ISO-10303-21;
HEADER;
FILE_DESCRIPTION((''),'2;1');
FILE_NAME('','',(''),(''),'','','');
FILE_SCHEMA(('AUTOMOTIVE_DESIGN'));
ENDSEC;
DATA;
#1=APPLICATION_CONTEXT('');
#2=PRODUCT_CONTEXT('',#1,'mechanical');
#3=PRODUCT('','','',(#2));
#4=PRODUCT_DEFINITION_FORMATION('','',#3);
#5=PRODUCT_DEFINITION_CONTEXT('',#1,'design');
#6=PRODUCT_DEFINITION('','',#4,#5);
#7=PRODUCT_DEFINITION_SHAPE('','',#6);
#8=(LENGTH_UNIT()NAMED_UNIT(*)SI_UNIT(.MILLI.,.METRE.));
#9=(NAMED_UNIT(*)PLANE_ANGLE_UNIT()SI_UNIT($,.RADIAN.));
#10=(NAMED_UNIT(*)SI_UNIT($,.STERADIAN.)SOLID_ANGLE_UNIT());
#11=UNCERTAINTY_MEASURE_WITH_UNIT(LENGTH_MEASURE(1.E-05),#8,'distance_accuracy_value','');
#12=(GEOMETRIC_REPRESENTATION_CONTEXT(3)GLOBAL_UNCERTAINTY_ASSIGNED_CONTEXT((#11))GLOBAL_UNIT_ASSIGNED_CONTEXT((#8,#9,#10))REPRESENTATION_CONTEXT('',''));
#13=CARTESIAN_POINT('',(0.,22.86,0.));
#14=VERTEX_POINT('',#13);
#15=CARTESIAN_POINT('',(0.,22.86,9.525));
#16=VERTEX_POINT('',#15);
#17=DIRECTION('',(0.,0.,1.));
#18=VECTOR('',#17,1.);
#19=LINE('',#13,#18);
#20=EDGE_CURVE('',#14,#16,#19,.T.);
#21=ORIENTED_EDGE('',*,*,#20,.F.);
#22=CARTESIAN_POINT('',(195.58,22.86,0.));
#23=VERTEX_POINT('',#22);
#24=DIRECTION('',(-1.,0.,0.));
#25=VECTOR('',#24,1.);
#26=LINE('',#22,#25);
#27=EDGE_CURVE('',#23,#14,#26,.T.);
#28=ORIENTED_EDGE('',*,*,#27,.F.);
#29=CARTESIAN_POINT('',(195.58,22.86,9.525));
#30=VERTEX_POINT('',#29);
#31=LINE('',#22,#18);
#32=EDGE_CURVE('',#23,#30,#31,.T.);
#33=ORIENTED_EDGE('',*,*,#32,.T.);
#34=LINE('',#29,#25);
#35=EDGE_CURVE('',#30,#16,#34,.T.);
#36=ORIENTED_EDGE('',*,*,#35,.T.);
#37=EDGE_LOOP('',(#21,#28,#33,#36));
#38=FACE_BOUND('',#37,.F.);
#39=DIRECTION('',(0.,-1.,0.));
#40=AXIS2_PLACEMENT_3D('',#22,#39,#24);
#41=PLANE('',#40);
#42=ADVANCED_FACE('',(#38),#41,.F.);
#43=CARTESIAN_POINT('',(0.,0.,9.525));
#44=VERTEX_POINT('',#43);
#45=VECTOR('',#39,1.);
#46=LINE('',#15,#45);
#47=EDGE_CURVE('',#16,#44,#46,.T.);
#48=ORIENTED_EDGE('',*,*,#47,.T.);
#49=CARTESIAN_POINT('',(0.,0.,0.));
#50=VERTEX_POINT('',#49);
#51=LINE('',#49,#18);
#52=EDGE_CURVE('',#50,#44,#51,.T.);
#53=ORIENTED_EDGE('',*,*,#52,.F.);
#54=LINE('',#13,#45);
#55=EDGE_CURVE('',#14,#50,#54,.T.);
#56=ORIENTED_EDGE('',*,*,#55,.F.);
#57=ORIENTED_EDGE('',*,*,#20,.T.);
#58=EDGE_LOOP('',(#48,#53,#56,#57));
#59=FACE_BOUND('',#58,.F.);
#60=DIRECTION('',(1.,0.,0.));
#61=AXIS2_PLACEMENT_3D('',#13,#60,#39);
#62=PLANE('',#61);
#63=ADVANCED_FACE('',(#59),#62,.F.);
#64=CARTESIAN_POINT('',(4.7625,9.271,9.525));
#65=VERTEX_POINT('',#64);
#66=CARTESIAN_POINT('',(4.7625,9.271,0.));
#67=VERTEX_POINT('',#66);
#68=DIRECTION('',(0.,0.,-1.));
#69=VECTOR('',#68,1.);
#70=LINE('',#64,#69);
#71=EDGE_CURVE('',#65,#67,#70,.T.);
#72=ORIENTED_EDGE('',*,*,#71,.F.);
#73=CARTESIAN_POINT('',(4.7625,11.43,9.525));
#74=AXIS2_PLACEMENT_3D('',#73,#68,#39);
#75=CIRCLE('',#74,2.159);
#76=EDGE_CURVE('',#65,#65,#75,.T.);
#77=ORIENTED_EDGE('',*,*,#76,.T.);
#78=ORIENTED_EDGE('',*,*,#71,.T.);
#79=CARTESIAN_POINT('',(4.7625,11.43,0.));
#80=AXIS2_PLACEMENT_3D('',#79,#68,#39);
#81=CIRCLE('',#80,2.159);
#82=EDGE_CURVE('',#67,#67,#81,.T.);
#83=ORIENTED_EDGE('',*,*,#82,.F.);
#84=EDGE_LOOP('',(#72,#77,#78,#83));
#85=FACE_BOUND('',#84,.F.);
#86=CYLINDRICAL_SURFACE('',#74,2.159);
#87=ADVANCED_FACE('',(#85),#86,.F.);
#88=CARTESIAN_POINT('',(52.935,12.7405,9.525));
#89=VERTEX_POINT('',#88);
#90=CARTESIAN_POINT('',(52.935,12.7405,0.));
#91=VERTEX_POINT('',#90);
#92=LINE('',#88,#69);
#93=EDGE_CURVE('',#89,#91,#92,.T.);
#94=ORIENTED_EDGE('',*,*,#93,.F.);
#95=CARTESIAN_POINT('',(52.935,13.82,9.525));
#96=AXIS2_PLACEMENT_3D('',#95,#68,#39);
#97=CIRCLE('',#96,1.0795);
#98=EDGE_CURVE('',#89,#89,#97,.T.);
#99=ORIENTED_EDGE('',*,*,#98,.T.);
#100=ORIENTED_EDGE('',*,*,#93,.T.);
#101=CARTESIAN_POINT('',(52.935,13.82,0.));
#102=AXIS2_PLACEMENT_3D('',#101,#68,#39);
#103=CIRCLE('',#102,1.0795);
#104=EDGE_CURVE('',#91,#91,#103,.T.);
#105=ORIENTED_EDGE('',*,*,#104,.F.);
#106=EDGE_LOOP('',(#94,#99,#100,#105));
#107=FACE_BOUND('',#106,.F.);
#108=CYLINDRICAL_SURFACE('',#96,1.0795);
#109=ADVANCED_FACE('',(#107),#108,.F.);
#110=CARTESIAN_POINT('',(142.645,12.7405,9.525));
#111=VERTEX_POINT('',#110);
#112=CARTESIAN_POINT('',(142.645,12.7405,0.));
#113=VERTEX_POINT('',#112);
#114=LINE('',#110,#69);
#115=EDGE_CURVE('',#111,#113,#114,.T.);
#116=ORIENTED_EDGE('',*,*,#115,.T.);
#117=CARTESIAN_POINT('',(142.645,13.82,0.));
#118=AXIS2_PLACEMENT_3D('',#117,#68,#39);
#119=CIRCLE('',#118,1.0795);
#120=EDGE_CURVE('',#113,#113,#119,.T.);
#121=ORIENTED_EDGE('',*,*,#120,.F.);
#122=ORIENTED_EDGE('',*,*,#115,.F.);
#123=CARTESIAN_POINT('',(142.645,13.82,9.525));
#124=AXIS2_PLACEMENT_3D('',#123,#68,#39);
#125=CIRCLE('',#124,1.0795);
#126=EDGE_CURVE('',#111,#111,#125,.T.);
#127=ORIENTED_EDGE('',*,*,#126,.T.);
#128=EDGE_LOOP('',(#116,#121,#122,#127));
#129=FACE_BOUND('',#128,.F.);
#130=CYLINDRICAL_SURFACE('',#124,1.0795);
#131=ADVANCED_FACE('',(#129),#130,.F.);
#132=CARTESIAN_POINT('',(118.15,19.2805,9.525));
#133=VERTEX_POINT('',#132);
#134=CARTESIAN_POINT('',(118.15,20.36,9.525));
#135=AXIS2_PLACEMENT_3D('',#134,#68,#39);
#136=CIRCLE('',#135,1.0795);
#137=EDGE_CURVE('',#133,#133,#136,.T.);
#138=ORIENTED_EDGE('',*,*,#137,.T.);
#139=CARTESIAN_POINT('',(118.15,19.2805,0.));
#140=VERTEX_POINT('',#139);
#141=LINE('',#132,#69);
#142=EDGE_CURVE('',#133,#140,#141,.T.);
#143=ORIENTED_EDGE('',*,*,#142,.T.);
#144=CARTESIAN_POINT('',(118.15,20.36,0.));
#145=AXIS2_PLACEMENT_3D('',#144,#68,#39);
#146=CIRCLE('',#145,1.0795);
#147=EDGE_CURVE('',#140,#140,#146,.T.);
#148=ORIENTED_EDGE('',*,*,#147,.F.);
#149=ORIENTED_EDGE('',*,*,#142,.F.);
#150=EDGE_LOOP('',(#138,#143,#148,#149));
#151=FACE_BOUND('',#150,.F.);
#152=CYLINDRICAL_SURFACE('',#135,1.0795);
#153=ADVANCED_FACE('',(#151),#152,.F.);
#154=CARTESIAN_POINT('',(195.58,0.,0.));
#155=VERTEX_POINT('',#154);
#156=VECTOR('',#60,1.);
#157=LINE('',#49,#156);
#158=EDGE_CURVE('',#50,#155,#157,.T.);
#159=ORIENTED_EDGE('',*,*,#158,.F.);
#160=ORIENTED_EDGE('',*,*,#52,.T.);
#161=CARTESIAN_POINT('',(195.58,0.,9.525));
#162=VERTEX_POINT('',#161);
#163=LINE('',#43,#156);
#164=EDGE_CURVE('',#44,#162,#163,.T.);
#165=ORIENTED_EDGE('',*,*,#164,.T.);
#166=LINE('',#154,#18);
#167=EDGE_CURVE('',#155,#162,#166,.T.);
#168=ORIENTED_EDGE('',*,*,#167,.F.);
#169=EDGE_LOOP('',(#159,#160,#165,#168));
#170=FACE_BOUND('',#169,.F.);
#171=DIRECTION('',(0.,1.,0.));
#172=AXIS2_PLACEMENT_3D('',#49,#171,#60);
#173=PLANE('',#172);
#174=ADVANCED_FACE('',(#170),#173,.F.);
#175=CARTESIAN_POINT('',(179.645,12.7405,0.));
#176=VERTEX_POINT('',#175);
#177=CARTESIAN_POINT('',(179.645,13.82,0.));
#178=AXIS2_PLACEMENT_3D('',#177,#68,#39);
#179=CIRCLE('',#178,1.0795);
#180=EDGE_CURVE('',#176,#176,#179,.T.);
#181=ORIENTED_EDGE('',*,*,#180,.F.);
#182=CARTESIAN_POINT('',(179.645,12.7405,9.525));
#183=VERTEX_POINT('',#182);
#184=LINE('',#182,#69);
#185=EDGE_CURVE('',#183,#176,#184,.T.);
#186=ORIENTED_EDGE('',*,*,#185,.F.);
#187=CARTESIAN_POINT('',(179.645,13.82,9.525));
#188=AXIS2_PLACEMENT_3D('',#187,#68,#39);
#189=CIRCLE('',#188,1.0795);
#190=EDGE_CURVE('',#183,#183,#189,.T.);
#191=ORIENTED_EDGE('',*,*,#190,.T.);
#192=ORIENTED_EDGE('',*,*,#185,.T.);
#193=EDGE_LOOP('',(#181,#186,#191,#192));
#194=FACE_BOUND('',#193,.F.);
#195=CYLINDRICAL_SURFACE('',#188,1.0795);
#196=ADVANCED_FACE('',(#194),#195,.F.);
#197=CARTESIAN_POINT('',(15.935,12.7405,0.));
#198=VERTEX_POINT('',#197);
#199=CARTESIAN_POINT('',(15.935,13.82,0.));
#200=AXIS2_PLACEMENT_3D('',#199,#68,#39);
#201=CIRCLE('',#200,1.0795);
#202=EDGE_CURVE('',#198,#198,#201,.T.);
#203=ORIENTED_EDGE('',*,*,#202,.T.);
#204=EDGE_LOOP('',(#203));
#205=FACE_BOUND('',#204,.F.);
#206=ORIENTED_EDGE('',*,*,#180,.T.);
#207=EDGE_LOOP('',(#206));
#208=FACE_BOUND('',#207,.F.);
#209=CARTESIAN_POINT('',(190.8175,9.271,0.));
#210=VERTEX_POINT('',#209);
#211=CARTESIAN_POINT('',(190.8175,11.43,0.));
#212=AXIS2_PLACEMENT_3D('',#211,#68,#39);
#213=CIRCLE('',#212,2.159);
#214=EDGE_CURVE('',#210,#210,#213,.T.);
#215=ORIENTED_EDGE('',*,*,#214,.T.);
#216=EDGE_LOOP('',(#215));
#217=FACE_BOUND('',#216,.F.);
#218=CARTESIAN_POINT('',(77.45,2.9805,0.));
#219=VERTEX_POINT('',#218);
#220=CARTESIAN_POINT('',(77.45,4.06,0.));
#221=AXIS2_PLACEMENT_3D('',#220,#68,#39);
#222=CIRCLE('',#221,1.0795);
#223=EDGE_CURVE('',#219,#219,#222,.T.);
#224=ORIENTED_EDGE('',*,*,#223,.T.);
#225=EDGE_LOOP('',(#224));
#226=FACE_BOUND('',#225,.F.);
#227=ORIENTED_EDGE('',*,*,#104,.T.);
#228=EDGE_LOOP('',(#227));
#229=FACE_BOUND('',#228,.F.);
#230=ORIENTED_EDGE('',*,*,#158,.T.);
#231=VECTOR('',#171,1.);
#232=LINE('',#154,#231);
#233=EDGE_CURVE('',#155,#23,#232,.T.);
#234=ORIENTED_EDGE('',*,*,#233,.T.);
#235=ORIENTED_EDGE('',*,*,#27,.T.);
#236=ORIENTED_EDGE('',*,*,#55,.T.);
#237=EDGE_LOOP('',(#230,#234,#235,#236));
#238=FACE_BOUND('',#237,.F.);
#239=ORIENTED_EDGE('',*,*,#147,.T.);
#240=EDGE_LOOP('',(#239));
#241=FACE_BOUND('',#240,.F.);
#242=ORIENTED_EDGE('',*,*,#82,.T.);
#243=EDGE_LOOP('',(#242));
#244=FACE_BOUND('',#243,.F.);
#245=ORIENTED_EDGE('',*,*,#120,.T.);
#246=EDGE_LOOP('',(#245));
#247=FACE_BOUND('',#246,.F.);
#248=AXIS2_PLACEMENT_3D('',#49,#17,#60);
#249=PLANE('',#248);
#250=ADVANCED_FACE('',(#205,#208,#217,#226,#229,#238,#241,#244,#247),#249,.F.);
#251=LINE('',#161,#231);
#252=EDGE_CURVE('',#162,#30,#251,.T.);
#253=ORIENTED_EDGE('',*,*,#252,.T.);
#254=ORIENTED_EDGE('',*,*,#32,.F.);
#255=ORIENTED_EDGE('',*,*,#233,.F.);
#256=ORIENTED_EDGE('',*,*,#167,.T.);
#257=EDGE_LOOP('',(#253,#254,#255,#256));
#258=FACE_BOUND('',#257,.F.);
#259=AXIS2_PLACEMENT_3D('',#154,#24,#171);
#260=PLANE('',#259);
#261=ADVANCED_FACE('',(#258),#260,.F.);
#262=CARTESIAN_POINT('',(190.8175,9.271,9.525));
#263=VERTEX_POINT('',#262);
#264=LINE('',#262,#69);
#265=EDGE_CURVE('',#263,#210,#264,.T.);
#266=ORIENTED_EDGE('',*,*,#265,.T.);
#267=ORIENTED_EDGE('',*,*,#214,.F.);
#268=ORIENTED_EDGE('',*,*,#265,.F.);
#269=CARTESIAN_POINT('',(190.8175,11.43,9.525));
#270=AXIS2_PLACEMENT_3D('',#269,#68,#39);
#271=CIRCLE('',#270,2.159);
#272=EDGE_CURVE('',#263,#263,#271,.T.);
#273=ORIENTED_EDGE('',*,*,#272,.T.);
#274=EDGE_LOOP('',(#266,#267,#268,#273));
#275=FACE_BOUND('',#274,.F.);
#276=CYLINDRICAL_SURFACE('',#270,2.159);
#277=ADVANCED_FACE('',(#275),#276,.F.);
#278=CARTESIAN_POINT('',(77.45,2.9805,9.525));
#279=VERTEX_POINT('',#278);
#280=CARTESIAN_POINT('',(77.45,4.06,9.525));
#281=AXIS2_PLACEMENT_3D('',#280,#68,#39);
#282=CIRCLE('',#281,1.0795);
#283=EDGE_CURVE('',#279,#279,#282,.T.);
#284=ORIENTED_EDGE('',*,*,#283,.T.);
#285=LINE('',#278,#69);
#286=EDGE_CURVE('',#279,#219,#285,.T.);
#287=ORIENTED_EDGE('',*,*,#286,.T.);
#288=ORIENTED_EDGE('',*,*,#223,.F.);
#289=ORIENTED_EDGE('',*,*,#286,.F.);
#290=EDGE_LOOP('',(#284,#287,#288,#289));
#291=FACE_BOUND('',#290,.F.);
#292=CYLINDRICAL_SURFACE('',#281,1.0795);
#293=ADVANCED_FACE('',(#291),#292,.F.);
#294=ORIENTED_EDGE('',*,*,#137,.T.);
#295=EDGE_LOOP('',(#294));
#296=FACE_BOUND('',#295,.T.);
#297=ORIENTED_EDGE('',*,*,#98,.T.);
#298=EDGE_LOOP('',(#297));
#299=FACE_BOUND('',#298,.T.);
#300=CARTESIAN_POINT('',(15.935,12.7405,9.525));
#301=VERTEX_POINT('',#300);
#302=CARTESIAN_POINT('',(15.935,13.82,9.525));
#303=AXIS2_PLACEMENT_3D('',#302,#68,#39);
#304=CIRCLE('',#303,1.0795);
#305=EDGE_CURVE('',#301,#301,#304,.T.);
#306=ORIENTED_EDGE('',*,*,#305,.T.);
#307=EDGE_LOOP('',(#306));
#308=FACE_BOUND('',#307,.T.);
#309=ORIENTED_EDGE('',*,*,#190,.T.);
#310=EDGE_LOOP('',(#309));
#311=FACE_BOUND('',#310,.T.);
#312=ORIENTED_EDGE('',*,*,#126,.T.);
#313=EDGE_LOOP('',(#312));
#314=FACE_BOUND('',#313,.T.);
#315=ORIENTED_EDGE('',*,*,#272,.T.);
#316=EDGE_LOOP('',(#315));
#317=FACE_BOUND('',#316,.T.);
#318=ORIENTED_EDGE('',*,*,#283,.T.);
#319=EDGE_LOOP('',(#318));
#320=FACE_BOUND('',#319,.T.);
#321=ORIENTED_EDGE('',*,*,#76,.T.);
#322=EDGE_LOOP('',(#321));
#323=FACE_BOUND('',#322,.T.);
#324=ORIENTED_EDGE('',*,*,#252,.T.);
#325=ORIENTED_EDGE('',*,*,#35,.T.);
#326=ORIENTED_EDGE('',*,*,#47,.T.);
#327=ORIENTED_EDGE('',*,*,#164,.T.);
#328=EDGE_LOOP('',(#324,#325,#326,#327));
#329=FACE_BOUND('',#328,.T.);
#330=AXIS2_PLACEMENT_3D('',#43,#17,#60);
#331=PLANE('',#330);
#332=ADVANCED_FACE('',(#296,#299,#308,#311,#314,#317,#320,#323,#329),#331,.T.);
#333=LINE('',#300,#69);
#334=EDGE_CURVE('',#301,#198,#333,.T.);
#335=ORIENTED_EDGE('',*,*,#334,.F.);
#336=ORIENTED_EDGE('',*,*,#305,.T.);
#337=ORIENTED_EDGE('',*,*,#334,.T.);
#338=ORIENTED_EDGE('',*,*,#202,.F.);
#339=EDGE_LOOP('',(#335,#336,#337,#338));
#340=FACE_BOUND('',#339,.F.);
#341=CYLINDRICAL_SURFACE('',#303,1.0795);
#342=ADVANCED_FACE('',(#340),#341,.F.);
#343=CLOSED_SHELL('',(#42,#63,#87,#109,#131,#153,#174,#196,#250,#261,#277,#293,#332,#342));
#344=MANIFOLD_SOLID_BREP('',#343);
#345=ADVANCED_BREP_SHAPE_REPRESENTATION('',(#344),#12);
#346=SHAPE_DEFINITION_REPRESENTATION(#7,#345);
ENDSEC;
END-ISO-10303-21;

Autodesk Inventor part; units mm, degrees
ref_plane "YZ Plane" through (0, 0, 0) normal (1, 0, 0) x (0, 1, 0)
ref_plane "XZ Plane" through (0, 0, 0) normal (0, 1, 0) x (-1, 0, 0)
ref_plane "XY Plane" through (0, 0, 0) normal (0, 0, 1) x (1, 0, 0)
sketch "Sketch1" plane through (0, 0, 0) normal (0, 0, 1) x (1, 0, 0)
  line L0 (0, 0) -> (195.58, 0)
  line L1 (195.58, 0) -> (195.58, 22.86)
  line L2 (195.58, 22.86) -> (0, 22.86)
  line L3 (0, 22.86) -> (0, 0)
  dimension "d0" = 22.86
  dimension "d1" = 195.58
extrude "Extrusion1" add sketch "Sketch1" along normal blind 9.525
sketch "Sketch2" plane through (0, 0, 9.525) normal (0, 0, 1) x (1, 0, 0)
  line L0 (0, 34.235) -> (9.525, 34.235) projected
  line L1 (0, 0) -> (0, 34.235) projected
  line L2 (9.525, 0) -> (0, 0) projected
  line L3 (9.525, 34.235) -> (9.525, 0) projected
  line L4 (73.66, 34.235) -> (83.185, 34.235) projected
  line L5 (73.66, 0) -> (73.66, 34.235) projected
  line L6 (83.185, 0) -> (73.66, 0) projected
  line L7 (83.185, 34.235) -> (83.185, 0) projected
  line L8 (121.92, 34.235) -> (112.395, 34.235)
  line L9 (112.395, 34.235) -> (112.395, 0)
  line L10 (112.395, 0) -> (121.92, 0)
  line L11 (121.92, 0) -> (121.92, 34.235)
  line L12 (195.58, 34.235) -> (186.055, 34.235)
  line L13 (186.055, 34.235) -> (186.055, 0)
  line L14 (186.055, 0) -> (195.58, 0)
  line L15 (195.58, 0) -> (195.58, 34.235)
  circle A0 centre (77.45, 4.06) radius 1.0795 projected
  circle A1 centre (77.45, 20.36) radius 1.0795 projected
  circle A2 centre (4.7625, 11.43) radius 1.651 projected
  point P0 (4.7625, 11.43)
  point P1 (190.8175, 11.43)
hole "Hole1" at (4.7625, 11.43, 9.525) at (190.8175, 11.43, 9.525) direction (0, 0, -1) diameter 4.318 end through all clearance for "Flat Head Machine Screw (82)" size "#8" standard "Ansi Unified Screw Threads"
sketch "Sketch3" plane through (0, 0, 9.525) normal (0, 0, 1) x (1, 0, 0)
  circle A0 centre (52.935, 13.82) radius 1.6 projected
  circle A1 centre (15.935, 13.82) radius 1.6 projected
  circle A2 centre (77.45, 4.06) radius 1.55 projected
  circle A3 centre (118.15, 20.36) radius 1.55 projected
  circle A4 centre (142.645, 13.82) radius 1.6 projected
  circle A5 centre (179.645, 13.82) radius 1.6 projected
hole "Hole2" at (77.45, 4.06, 9.525) at (118.15, 20.36, 9.525) at (52.935, 13.82, 9.525) at (15.935, 13.82, 9.525) at (142.645, 13.82, 9.525) at (179.645, 13.82, 9.525) direction (0, 0, -1) diameter 2.159 end through all
properties part number "SensorBar"
